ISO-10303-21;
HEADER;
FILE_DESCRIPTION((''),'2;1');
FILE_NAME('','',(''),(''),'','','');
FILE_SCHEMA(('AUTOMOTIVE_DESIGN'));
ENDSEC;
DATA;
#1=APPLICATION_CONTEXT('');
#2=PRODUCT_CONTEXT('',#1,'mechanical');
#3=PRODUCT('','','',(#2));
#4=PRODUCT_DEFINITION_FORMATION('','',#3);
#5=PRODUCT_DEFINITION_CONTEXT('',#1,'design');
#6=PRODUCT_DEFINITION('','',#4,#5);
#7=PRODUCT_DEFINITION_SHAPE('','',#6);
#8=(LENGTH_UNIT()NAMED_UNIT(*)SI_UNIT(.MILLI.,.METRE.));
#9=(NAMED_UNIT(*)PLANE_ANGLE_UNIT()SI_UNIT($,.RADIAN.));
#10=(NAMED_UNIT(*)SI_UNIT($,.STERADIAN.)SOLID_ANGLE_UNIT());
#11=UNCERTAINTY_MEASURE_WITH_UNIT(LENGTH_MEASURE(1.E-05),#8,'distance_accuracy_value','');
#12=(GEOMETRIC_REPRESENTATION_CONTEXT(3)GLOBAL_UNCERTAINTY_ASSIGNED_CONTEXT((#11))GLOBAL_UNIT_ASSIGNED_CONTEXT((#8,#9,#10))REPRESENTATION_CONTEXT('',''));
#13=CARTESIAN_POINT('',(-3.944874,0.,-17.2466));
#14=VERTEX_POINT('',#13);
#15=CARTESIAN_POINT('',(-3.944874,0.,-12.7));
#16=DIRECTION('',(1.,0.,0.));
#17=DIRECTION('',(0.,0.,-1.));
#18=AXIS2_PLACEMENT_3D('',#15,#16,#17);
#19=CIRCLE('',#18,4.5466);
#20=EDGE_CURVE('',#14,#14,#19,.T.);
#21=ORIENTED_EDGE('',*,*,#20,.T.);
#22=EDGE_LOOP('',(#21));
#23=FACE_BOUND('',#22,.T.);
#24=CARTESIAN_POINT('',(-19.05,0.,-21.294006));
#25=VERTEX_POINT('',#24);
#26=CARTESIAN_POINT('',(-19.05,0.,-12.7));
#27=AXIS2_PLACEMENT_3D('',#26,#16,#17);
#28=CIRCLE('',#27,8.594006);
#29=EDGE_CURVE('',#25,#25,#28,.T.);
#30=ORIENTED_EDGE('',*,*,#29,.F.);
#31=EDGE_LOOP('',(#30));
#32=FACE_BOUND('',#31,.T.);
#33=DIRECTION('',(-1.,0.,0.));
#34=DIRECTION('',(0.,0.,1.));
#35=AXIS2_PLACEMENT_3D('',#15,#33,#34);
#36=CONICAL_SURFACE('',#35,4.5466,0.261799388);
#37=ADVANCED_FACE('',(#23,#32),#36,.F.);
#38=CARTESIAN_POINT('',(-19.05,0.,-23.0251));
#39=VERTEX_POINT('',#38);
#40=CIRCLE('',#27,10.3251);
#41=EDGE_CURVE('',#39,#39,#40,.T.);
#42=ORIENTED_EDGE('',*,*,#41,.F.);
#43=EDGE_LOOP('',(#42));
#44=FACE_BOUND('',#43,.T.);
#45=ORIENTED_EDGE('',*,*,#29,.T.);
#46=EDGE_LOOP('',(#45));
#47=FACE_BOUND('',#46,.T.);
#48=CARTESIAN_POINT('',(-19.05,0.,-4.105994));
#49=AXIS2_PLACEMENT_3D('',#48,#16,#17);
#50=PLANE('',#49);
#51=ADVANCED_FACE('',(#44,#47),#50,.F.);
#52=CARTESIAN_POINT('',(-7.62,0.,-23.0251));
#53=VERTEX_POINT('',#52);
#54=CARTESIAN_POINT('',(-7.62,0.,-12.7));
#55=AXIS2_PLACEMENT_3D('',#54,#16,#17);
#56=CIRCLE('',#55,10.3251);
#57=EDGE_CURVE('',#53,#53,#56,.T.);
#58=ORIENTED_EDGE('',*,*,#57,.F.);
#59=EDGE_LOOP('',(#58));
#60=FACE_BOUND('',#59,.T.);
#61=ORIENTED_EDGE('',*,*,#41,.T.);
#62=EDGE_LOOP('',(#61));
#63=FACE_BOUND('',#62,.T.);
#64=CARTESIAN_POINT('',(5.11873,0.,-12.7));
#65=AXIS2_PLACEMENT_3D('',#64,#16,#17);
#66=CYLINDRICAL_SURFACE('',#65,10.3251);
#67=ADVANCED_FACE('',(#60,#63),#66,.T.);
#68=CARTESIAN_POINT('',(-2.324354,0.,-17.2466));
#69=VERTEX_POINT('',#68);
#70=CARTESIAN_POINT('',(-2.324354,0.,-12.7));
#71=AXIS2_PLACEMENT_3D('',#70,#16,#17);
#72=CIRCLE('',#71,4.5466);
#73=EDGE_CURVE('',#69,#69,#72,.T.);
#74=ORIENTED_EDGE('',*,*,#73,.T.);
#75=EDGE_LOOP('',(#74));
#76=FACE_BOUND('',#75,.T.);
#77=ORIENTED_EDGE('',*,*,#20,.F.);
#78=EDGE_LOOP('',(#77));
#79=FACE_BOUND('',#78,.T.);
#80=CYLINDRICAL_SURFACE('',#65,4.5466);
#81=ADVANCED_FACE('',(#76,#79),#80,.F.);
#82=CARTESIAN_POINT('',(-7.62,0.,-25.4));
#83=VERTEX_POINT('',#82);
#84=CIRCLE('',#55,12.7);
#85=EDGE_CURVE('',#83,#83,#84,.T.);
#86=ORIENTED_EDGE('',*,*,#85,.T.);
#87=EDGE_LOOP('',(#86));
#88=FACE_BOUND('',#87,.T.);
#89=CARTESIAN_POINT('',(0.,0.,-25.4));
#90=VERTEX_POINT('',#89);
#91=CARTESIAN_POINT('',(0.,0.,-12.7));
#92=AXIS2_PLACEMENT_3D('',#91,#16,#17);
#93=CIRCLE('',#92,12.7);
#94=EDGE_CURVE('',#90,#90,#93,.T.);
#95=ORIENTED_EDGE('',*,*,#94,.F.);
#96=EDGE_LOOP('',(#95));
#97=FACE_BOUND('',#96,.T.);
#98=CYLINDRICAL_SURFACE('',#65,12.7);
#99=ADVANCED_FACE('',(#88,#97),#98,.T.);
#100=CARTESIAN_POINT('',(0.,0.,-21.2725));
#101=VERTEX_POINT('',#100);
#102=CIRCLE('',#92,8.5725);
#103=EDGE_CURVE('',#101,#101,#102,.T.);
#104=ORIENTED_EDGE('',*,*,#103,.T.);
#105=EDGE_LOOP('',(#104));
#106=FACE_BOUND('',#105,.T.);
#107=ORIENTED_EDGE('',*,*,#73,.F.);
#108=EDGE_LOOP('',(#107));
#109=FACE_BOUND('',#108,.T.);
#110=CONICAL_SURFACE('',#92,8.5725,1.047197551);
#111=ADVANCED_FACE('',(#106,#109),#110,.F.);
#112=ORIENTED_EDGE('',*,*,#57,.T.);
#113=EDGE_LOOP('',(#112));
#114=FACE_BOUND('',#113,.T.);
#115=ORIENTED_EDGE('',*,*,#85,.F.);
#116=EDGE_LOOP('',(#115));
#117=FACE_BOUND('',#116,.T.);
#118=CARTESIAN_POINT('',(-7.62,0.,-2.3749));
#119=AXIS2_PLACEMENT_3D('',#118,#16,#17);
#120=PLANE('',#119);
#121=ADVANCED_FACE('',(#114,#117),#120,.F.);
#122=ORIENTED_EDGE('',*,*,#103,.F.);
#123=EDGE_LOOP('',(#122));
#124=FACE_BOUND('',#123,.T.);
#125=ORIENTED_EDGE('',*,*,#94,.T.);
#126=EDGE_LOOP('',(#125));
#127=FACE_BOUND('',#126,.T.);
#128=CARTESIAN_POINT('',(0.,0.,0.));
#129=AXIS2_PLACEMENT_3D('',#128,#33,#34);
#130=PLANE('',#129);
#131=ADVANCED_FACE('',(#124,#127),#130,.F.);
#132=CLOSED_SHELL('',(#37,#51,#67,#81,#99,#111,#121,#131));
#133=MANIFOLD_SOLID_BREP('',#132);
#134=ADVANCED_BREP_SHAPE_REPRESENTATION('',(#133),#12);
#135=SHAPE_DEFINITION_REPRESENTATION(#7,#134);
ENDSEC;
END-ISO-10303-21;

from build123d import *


with BuildPart() as part:
    # Sketch1 → Revolve1 (revolve)
    with BuildSketch(Plane(origin=(0, 0, 0), x_dir=(1, 0, 0), z_dir=(0, 1, 0)), mode=Mode.PRIVATE) as revolve1_sk:
        Polygon((0, 0), (0, 4.1275), (-2.324354449, 8.1534), (-3.944874449, 8.1534), (-19.05, 4.105993807), (-19.05, 2.3749), (-7.62, 2.3749), (-7.62, 0), align=None)
    revolve(revolve1_sk.sketch.rotate(Axis((5.118729701, 0, -12.7), (-1, 0, 0)), 180), axis=Axis((5.118729701, 0, -12.7), (-1, 0, 0)))


solid = part.part
